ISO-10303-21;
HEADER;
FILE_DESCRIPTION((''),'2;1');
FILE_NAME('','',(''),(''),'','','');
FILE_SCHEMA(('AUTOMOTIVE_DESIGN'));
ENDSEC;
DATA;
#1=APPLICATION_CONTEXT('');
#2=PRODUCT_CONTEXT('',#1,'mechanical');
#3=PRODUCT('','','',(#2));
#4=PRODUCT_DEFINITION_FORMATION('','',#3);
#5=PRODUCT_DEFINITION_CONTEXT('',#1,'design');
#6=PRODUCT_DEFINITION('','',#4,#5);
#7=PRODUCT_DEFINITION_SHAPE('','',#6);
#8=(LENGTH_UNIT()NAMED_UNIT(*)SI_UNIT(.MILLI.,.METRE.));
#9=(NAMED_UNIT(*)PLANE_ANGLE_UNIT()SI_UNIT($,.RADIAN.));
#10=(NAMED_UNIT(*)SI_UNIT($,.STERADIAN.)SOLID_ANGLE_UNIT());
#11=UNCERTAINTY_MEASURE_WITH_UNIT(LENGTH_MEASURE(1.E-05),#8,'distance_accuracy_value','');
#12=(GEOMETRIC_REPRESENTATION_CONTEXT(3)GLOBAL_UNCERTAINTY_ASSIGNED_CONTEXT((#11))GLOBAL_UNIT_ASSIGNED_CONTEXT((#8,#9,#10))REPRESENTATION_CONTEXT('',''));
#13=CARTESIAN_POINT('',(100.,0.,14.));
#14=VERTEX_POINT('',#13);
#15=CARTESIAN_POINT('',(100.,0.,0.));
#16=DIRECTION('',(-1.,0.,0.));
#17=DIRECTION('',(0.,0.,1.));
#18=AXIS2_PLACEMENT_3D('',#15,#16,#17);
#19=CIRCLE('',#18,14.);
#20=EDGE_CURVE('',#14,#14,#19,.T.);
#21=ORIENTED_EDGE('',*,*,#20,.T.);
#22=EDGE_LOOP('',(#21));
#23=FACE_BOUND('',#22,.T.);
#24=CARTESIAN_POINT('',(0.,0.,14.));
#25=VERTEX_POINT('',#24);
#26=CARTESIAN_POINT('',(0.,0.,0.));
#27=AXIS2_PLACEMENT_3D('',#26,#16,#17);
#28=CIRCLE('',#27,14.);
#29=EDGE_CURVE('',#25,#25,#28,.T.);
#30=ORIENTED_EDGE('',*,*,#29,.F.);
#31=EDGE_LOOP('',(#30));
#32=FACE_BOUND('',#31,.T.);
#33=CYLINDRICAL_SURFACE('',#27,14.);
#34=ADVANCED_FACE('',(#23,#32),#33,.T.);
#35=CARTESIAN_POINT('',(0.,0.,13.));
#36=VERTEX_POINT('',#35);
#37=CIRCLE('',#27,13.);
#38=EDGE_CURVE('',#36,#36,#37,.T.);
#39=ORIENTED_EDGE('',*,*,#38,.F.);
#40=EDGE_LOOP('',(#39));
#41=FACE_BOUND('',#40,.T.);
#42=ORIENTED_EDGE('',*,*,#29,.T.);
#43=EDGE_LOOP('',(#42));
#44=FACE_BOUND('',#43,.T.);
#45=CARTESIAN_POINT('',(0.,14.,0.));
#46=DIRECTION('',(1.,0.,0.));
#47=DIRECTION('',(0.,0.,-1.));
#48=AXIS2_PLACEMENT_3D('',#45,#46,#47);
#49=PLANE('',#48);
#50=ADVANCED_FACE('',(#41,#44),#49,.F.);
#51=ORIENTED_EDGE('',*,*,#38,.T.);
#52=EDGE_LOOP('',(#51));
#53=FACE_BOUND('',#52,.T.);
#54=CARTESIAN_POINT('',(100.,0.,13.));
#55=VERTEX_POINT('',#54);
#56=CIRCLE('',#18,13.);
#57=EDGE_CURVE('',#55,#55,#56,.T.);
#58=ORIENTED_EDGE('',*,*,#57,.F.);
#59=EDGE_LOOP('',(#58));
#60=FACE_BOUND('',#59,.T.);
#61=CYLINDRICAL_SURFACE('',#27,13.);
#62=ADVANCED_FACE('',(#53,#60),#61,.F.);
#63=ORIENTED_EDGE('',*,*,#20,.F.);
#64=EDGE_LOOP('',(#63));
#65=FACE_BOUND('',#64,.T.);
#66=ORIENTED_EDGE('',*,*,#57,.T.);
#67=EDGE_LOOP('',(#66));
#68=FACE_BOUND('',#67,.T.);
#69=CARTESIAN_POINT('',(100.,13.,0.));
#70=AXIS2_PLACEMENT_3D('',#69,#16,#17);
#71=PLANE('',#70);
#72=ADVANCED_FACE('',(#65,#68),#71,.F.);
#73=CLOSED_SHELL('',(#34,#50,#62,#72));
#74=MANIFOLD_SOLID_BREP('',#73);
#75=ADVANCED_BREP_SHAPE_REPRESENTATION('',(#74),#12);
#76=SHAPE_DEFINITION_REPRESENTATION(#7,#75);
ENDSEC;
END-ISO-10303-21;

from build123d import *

# Parameters (mm, degrees)
ESQUISSE1_W = 100
ESQUISSE1_H = 1


with BuildPart() as part:
    # Esquisse1 → Base-Révolution (revolve)
    with BuildSketch(Plane.XY, mode=Mode.PRIVATE) as base_r_volution_sk:
        with Locations((50, 13.5)):
            Rectangle(ESQUISSE1_W, ESQUISSE1_H)
    revolve(base_r_volution_sk.sketch.rotate(Axis((0, 0, 0), (1, 0, 0)), 90), axis=Axis((0, 0, 0), (1, 0, 0)))


solid = part.part
